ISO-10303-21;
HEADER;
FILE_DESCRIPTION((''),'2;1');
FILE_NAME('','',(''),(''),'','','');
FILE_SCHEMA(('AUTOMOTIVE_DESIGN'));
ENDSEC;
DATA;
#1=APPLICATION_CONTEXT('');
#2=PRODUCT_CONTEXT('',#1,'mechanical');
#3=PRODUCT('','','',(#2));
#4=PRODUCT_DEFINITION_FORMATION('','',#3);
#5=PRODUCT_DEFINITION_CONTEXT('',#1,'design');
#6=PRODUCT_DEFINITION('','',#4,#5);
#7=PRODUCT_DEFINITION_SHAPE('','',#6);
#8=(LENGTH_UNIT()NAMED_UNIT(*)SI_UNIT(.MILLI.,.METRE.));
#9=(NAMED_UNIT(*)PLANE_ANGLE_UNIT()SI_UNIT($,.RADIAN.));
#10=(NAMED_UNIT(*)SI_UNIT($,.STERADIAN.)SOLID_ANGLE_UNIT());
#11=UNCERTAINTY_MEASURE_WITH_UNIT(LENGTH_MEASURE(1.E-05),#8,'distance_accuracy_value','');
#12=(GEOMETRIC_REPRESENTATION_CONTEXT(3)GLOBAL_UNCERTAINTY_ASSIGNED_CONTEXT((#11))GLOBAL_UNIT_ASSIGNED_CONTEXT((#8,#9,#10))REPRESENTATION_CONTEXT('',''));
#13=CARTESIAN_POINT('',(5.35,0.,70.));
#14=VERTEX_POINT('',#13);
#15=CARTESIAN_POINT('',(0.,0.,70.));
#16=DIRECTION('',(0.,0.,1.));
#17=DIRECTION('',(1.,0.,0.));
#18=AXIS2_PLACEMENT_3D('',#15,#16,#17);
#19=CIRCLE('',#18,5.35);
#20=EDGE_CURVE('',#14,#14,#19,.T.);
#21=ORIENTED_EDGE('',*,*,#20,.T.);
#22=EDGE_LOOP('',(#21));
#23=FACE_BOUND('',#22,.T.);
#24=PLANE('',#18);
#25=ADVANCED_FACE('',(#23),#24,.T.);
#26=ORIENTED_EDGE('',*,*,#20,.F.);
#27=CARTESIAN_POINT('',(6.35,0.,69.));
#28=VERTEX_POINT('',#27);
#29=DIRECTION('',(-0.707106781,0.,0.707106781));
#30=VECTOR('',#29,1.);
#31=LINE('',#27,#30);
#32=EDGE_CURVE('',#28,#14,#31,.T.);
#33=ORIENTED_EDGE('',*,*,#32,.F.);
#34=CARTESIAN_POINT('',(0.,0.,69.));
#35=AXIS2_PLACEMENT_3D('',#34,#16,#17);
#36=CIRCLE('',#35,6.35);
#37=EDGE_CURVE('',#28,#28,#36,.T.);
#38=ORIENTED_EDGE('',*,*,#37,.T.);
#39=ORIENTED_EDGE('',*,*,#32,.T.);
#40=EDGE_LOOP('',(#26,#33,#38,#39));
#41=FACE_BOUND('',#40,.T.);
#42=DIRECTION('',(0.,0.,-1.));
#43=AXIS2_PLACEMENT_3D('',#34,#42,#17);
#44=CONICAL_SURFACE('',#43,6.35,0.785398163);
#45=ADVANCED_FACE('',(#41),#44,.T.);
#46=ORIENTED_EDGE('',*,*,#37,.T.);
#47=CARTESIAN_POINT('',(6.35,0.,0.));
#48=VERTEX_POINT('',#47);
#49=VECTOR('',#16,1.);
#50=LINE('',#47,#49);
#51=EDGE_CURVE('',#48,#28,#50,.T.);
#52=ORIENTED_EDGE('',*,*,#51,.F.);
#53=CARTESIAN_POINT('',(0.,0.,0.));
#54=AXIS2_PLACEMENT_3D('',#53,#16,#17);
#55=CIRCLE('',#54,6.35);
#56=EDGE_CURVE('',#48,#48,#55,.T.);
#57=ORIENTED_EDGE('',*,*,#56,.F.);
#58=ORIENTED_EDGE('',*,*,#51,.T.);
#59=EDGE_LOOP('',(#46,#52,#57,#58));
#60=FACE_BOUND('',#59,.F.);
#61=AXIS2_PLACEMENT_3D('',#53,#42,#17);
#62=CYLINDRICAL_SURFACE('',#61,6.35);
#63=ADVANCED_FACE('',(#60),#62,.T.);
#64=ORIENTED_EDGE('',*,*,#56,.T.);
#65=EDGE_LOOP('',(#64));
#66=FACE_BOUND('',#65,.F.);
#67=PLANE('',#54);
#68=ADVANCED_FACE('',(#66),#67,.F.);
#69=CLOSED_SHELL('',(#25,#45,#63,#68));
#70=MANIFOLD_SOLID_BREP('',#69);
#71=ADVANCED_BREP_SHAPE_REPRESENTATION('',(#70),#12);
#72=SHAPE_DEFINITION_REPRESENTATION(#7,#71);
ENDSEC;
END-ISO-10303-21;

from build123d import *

# Parameters (mm, degrees)
SKETCH_R     = 6.35
PAD_DEPTH    = 70
CHAMFER_SIZE = 1


with BuildPart() as part:
    # Sketch → Pad (new body)
    with BuildSketch(Plane.XY):
        Circle(SKETCH_R)
    extrude(amount=PAD_DEPTH)

    # Chamfer
    chamfer_edges = [part.edges().sort_by_distance(p)[0] for p in [
        (-6.35, 0, 70),
    ]]
    chamfer(chamfer_edges, length=CHAMFER_SIZE)


solid = part.part
